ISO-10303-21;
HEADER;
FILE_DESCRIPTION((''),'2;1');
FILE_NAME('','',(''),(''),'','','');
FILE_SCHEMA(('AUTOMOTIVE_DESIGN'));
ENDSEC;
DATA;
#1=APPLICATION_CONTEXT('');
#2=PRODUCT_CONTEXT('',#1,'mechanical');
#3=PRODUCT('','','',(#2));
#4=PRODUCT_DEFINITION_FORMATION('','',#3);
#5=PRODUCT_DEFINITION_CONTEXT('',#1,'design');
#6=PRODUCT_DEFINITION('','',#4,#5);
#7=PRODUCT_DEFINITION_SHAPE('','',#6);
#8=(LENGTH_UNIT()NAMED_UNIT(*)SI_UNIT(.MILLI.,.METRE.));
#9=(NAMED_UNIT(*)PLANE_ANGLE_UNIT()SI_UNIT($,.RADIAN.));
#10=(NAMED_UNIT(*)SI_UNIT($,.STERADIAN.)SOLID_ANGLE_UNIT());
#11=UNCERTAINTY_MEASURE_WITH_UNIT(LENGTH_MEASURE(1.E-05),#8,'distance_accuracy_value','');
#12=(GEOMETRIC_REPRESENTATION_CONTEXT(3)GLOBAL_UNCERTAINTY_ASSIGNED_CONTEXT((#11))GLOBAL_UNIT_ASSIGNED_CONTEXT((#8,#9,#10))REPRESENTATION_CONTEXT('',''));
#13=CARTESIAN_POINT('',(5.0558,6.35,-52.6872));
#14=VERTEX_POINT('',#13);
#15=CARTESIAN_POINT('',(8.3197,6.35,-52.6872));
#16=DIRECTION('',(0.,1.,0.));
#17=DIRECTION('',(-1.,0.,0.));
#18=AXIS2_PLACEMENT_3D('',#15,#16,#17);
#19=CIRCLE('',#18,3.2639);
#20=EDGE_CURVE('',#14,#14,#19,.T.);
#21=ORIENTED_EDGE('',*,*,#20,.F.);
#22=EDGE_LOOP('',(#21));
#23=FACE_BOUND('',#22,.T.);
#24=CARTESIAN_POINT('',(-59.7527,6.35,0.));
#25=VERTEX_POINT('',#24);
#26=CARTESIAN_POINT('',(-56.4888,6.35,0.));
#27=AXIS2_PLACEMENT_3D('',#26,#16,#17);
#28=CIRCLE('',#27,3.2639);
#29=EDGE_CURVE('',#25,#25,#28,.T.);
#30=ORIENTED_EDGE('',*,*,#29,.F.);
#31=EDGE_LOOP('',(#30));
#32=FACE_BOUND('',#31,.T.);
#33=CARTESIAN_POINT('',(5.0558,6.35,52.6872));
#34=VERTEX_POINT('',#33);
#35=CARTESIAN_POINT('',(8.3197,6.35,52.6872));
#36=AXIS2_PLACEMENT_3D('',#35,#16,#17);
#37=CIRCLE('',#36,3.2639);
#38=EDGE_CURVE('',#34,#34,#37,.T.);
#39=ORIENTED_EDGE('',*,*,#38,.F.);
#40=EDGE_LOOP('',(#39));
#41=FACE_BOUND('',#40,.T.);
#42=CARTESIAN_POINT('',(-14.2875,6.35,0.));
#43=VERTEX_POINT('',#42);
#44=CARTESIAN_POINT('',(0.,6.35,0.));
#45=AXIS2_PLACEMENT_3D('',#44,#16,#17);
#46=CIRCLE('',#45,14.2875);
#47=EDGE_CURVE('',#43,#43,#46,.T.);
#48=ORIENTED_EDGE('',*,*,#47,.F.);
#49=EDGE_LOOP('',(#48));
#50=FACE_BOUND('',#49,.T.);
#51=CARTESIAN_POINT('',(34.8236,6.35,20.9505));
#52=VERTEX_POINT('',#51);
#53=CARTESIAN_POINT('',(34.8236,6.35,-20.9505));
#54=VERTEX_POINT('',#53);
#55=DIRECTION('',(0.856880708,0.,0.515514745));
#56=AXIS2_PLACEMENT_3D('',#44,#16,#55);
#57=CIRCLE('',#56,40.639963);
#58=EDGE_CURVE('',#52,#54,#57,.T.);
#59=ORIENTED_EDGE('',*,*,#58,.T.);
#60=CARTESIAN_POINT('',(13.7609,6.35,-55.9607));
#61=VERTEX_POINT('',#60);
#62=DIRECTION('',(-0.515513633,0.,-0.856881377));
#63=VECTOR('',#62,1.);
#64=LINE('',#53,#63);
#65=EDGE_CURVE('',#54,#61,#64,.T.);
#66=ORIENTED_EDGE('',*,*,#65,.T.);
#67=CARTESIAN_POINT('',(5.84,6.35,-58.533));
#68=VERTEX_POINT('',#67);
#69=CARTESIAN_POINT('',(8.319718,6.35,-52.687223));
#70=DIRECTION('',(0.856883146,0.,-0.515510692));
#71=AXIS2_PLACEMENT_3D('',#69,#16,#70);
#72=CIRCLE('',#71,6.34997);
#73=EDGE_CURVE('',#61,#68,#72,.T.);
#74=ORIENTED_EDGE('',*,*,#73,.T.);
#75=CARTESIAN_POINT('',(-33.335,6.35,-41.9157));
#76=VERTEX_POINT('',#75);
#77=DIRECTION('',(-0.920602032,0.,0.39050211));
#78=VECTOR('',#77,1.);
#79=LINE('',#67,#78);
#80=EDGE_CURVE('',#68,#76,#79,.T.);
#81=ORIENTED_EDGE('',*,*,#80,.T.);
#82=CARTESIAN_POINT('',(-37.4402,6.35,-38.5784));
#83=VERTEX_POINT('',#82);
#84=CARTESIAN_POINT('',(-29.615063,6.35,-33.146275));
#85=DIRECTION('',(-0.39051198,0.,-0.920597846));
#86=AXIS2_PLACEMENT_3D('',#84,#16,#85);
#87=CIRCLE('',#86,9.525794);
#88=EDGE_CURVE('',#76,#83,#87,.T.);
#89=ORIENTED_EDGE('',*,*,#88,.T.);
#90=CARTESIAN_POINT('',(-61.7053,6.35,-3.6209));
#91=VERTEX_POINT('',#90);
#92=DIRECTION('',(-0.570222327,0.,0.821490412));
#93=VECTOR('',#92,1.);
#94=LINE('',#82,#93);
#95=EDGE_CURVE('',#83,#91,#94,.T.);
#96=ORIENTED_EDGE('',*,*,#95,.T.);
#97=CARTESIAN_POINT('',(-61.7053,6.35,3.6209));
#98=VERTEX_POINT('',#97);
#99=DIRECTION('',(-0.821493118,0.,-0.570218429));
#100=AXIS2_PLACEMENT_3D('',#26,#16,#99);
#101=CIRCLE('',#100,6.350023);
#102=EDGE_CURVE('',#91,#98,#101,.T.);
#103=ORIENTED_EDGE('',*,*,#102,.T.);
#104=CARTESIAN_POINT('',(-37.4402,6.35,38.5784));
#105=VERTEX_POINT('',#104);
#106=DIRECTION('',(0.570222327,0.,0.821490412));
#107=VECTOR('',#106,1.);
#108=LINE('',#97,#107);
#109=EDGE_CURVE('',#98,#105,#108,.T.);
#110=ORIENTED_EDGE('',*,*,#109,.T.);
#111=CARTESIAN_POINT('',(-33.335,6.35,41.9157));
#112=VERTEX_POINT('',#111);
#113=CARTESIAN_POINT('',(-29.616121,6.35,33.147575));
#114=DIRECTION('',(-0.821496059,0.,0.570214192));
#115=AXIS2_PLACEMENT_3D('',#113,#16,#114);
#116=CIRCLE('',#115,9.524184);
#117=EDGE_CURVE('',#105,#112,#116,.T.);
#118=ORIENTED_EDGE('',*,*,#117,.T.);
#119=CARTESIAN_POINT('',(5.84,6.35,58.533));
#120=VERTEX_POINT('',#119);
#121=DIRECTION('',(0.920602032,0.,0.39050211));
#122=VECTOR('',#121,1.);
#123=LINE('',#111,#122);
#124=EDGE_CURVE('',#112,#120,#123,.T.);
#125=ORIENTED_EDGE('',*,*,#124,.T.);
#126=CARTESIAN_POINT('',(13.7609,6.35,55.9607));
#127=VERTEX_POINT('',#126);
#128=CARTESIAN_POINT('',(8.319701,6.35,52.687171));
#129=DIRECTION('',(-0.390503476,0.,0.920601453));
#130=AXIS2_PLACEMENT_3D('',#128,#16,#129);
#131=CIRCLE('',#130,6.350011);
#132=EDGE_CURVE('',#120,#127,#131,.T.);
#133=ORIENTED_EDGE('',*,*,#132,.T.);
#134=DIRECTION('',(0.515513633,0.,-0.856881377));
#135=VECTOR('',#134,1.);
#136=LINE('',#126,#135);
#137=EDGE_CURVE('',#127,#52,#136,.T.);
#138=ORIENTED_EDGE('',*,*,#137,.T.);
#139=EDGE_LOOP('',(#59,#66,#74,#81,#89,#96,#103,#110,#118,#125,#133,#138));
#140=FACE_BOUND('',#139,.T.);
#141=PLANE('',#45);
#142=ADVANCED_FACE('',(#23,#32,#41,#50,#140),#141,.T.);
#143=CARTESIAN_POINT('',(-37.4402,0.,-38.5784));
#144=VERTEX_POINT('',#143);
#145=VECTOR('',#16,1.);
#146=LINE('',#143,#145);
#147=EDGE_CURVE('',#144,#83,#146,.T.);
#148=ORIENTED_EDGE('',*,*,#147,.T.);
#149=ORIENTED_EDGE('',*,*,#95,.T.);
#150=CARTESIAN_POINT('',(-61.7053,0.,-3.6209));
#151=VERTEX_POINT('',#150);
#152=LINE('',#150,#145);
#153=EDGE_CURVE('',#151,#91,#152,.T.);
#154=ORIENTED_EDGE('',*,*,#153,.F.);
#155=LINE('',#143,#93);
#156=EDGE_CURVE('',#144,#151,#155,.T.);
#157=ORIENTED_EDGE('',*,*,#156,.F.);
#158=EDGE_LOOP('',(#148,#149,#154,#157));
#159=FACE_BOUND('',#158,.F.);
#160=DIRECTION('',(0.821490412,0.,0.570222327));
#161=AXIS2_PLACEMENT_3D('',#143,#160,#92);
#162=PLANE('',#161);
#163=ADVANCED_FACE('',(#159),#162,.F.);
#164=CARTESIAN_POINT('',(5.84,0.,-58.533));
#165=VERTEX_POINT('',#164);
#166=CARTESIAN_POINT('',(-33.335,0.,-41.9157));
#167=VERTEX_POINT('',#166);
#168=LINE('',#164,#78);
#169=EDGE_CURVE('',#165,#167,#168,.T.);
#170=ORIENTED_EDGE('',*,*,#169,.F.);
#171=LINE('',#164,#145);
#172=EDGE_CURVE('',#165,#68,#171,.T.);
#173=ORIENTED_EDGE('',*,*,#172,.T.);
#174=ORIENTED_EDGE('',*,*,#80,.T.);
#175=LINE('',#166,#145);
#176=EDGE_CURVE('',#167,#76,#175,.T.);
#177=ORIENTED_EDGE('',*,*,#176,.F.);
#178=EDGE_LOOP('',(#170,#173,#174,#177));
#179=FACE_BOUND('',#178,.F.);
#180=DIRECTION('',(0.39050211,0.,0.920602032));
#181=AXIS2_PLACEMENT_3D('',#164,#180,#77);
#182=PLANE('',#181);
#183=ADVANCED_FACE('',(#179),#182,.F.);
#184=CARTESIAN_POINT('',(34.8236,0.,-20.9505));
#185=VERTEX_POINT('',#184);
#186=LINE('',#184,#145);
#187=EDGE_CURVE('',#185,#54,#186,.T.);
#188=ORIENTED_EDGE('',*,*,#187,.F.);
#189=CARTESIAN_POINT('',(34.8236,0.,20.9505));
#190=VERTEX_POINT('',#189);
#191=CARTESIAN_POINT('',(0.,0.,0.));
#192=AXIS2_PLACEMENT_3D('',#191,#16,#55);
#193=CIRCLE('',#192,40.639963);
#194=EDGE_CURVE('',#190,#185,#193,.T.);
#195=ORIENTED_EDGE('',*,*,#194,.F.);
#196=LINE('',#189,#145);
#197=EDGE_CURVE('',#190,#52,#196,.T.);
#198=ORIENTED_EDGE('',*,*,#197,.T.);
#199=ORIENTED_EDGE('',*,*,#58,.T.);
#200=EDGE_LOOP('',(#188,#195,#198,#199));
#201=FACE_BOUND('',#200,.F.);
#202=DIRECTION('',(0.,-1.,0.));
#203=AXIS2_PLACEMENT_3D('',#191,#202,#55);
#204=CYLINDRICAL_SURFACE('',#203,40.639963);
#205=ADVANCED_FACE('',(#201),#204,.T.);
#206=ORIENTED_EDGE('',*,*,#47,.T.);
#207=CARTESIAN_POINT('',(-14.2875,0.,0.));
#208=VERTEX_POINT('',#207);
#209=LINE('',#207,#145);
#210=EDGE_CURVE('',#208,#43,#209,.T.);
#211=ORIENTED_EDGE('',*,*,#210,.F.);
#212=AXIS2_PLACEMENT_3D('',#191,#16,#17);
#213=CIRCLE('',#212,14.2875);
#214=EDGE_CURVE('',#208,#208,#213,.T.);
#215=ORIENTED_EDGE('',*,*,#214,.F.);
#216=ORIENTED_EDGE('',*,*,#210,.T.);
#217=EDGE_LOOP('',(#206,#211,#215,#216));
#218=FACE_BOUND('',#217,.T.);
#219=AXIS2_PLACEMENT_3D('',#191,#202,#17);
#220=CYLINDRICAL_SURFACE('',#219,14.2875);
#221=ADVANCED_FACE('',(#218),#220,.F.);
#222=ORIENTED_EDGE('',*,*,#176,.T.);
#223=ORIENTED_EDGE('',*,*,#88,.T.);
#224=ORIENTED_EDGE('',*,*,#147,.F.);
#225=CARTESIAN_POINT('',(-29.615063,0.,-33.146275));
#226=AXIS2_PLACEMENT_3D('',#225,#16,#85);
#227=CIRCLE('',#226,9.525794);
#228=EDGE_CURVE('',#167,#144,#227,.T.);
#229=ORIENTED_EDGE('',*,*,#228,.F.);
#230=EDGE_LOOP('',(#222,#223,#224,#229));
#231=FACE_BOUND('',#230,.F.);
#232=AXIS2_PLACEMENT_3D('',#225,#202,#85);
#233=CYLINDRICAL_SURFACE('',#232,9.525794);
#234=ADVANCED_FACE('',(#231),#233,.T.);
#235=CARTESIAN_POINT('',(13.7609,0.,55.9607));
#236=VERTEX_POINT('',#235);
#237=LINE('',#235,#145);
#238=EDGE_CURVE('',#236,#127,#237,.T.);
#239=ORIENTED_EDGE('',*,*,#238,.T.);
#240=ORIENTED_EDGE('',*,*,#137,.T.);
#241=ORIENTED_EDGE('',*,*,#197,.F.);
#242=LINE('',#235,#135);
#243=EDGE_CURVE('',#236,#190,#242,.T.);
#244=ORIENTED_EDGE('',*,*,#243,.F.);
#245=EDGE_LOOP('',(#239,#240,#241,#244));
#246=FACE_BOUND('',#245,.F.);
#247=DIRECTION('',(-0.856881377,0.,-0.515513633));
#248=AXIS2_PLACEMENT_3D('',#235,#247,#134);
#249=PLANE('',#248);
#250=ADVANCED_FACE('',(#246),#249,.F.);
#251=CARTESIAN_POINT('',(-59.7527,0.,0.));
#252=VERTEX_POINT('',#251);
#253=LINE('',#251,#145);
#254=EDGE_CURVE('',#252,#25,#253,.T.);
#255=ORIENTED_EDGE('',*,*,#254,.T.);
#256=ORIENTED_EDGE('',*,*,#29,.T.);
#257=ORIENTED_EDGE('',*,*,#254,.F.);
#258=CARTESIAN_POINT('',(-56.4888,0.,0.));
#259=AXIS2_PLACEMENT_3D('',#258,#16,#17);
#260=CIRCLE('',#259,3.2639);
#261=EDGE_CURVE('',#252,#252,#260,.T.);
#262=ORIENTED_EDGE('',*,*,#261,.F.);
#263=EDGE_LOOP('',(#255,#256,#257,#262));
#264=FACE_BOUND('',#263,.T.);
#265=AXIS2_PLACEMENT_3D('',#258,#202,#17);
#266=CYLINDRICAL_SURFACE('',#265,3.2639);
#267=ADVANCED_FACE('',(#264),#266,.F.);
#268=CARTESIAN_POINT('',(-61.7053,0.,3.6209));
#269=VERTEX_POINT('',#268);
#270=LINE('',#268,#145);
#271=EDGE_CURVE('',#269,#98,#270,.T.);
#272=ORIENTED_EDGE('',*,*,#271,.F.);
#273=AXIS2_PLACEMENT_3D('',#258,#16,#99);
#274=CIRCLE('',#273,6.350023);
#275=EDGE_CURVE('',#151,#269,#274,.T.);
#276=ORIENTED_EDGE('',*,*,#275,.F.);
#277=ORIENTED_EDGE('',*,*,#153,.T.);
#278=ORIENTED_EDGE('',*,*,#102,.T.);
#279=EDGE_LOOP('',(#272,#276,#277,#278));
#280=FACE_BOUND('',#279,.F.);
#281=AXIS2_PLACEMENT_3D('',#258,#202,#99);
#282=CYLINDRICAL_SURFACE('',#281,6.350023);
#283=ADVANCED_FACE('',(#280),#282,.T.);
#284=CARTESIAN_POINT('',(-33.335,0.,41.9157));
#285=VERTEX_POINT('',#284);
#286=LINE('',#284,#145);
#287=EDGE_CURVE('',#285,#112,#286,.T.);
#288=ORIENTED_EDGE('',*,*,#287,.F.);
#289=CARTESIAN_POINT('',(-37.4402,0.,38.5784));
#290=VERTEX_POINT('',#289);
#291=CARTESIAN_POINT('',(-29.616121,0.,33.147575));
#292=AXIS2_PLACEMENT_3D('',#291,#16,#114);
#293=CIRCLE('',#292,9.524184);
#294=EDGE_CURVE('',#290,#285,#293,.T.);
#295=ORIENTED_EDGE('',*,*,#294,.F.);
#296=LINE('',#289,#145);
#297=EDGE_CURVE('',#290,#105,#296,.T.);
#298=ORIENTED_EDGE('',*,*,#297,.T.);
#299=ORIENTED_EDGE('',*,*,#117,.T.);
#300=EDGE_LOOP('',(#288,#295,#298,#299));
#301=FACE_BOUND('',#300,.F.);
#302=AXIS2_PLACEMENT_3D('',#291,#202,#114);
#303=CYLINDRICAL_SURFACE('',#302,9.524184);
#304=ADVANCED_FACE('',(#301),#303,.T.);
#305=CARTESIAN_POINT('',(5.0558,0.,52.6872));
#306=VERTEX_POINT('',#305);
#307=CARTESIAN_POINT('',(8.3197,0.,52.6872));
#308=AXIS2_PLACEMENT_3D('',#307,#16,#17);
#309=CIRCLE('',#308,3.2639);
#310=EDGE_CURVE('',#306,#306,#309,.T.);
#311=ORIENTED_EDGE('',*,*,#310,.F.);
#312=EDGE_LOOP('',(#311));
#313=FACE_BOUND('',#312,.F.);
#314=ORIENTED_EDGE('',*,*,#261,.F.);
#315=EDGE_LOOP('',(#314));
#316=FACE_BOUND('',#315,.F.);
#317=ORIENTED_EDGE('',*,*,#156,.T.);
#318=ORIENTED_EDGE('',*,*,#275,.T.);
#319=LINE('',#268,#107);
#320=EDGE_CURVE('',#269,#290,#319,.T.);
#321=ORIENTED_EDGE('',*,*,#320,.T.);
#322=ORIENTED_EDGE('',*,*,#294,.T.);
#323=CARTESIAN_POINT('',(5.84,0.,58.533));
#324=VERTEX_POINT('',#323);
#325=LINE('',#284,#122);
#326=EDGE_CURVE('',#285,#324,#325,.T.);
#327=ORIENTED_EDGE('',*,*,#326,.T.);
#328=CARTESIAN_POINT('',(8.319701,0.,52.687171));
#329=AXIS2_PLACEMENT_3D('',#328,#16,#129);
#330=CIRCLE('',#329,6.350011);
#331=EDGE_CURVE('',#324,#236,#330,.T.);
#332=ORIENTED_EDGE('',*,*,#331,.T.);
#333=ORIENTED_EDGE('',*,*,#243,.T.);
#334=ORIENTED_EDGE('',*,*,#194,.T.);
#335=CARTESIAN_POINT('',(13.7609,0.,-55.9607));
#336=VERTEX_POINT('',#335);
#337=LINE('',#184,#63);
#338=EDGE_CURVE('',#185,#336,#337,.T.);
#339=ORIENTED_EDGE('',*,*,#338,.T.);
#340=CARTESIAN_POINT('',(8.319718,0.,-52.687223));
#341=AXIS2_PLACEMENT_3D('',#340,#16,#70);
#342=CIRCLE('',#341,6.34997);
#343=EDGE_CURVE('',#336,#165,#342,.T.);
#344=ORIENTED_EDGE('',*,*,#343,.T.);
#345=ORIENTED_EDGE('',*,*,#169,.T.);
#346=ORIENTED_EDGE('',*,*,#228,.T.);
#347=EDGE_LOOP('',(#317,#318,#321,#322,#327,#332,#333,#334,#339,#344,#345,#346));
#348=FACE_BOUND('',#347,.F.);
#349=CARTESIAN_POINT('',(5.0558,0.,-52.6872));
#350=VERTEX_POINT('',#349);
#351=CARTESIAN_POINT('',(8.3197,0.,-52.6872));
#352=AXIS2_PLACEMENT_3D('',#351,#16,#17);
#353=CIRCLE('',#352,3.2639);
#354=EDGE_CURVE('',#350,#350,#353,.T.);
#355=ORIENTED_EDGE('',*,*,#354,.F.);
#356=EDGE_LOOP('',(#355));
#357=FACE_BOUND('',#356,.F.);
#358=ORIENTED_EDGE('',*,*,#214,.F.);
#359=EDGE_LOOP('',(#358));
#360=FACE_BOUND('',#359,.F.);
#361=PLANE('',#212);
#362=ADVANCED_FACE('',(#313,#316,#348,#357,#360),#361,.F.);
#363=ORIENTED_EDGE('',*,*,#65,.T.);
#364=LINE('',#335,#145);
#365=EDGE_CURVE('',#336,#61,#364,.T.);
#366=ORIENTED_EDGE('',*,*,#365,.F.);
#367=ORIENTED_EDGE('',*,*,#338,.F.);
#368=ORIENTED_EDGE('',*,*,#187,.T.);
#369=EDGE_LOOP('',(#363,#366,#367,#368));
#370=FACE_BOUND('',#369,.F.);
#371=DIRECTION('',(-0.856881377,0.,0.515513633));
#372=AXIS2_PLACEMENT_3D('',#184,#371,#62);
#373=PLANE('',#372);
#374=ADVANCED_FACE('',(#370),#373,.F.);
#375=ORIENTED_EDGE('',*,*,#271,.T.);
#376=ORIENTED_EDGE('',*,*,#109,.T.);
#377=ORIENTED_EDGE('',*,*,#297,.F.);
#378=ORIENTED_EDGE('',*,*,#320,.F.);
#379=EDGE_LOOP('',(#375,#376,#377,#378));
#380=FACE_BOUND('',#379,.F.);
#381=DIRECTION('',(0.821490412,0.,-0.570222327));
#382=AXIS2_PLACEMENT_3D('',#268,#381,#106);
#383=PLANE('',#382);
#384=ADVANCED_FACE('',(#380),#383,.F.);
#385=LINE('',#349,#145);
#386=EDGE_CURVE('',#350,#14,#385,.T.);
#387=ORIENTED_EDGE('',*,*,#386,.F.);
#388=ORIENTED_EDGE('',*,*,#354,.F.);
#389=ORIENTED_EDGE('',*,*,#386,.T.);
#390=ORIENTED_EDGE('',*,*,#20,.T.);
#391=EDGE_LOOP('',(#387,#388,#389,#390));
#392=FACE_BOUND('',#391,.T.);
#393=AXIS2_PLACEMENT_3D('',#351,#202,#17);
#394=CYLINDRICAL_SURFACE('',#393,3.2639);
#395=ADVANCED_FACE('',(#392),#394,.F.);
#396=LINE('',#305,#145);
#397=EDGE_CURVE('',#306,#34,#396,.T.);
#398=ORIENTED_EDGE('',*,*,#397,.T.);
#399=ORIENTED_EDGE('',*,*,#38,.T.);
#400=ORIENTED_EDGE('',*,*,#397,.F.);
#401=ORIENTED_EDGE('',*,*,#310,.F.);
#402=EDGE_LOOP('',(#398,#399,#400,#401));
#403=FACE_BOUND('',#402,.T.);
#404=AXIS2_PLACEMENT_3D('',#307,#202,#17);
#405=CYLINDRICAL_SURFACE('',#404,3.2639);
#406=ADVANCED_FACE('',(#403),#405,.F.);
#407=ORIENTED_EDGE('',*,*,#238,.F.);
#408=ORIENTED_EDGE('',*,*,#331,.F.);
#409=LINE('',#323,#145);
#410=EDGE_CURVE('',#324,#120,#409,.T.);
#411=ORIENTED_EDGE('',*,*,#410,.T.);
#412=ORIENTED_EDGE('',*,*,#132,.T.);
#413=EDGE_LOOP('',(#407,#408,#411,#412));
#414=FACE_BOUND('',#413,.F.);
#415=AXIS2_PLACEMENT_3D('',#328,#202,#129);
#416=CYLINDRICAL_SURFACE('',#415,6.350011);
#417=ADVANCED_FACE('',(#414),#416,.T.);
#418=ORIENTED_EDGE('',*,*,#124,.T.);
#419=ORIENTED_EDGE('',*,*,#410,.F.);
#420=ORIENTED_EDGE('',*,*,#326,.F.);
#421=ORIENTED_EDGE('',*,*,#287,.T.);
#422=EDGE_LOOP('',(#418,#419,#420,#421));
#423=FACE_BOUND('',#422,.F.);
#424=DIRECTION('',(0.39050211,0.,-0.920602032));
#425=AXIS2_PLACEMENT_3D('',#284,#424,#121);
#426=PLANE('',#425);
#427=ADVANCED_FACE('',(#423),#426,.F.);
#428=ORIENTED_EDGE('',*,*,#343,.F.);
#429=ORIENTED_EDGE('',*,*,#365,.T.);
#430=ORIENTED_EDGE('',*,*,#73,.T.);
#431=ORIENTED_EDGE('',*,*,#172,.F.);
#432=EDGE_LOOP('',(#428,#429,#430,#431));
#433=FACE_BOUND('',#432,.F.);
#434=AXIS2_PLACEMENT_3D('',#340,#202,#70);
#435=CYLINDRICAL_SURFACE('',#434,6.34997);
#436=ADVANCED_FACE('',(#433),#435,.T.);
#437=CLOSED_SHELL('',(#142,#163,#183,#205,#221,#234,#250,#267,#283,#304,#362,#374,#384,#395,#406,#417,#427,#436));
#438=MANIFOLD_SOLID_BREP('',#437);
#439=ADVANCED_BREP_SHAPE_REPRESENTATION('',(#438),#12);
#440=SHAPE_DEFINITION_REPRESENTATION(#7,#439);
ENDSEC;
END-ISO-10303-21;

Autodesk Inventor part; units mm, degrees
ref_plane "YZ Plane" through (0, 0, 0) normal (1, 0, 0) x (0, 1, 0)
ref_plane "XZ Plane" through (0, 0, 0) normal (0, 1, 0) x (-1, 0, 0)
ref_plane "XY Plane" through (0, 0, 0) normal (0, 0, 1) x (1, 0, 0)
sketch "Sketch1" plane through (0, 0, 0) normal (0, 1, 0) x (-1, 0, 0)
  circle A0 centre (29.6155, 33.147) radius 6.35 construction
  circle A1 centre (0, 0) radius 38.1 construction
  circle A2 centre (29.6155, -33.147) radius 6.35 construction
  circle A3 centre (29.6155, 33.147) radius 29.972 construction
  circle A4 centre (29.6155, -33.147) radius 29.972 construction
  line L0 (29.6155, 3.175) -> (29.6155, -3.175) construction
  circle A5 centre (0, 0) radius 40.64 construction
  circle A6 centre (-8.3197, 52.6872) radius 6.35 construction
  circle A7 centre (-8.3197, 52.6872) radius 3.2639
  line L1 (-7.3293, 46.4149) -> (-6.3388, 40.1426) construction
  line L2 (-2.6746, 49.7794) -> (2.9705, 46.8716) construction
  circle A8 centre (-8.3197, -52.6872) radius 6.35 construction
  circle A9 centre (-8.3197, -52.6872) radius 3.2639
  line L3 (-7.3293, -46.4149) -> (-6.3388, -40.1426) construction
  line L4 (2.9705, -46.8716) -> (-2.6746, -49.7794) construction
  circle A10 centre (56.4888, 0) radius 6.35 construction
  circle A11 centre (56.4888, 0) radius 3.2639
  line L5 (48.4908, 9.8652) -> (52.4898, 4.9326) construction
  line L6 (52.4898, -4.9326) -> (48.4908, -9.8652) construction
  circle A12 centre (0, 0) radius 14.2875
  circle A13 centre (29.6155, 33.147) radius 9.525 construction
  circle A14 centre (29.6155, -33.147) radius 9.525 construction
  circle A15 centre (29.6155, 33.147) radius 25.4 construction
  circle A16 centre (29.6155, 58.547) radius 2.794 construction
  circle A17 centre (49.474, 48.9836) radius 2.794 construction
  circle A18 centre (54.3787, 27.495) radius 2.794 construction
  circle A19 centre (40.6362, 10.2624) radius 2.794 construction
  circle A20 centre (18.5949, 10.2624) radius 2.794 construction
  circle A21 centre (4.8523, 27.495) radius 2.794 construction
  circle A22 centre (9.757, 48.9836) radius 2.794 construction
  circle A23 centre (29.6155, -33.147) radius 25.4 construction
  circle A24 centre (29.6155, -58.547) radius 2.794 construction
  circle A25 centre (49.474, -48.9836) radius 2.794 construction
  circle A26 centre (54.3787, -27.495) radius 2.794 construction
  circle A27 centre (40.6362, -10.2624) radius 2.794 construction
  circle A28 centre (18.5949, -10.2624) radius 2.794 construction
  circle A29 centre (4.8523, -27.495) radius 2.794 construction
  circle A30 centre (9.757, -48.9836) radius 2.794 construction
  line L7 (37.4402, -38.5784) -> (61.7053, -3.6209)
  line L8 (61.7053, 3.6209) -> (37.4402, 38.5784)
  line L9 (33.335, 41.9157) -> (-5.84, 58.533)
  line L10 (-13.7609, 55.9607) -> (-34.8236, 20.9505)
  line L11 (-34.8236, -20.9505) -> (-13.7609, -55.9607)
  arc A31 (-34.8236, 20.9505) -> (-34.8236, -20.9505) centre (0, 0) ccw
  arc A32 (61.7053, -3.6209) -> (61.7053, 3.6209) centre (56.4888, 0) ccw
  arc A33 (37.4402, 38.5784) -> (33.335, 41.9157) centre (29.6155, 33.147) ccw
  arc A34 (-5.84, 58.533) -> (-13.7609, 55.9607) centre (-8.3197, 52.6872) ccw
  line L12 (-5.84, -58.533) -> (33.335, -41.9157)
  arc A35 (-13.7609, -55.9607) -> (-5.84, -58.533) centre (-8.3197, -52.6872) ccw
  arc A36 (33.335, -41.9157) -> (37.4402, -38.5784) centre (29.6155, -33.147) ccw
  point P0 (29.6155, 0)
  dimension "d21" = 50.8
  dimension "d27" = 50.8
  dimension "d0" = 12.7
  dimension "d1" = 76.2
  dimension "d2" = 12.7
  dimension "d3" = 59.944
  dimension "d4" = 59.944
  dimension "d5" = 6.35
  dimension "d6" = 2.54
  dimension "d8" = 12.7
  dimension "d9" = 6.5278
  dimension "d11" = 6.35
  dimension "d12" = 12.7
  dimension "d13" = 6.5278
  dimension "d14" = 6.35
  dimension "d15" = 12.7
  dimension "d16" = 6.5278
  dimension "d17" = 6.35
  dimension "d18" = 6.35
  dimension "d19" = 28.575
  dimension "d20" = 19.05
  dimension "d22" = 5.588
  dimension "d25" = 360
  dimension "d30" = 360
sketch "Sketch2" plane through (0, 0, 0) normal (0, 1, 0) x (-1, 0, 0)
  point P0 (0, 0)
extrude "Extrusion2" add sketch "Sketch1" along normal blind 6.35
properties part number "Bottom Plate" material "Aluminum 6061"
